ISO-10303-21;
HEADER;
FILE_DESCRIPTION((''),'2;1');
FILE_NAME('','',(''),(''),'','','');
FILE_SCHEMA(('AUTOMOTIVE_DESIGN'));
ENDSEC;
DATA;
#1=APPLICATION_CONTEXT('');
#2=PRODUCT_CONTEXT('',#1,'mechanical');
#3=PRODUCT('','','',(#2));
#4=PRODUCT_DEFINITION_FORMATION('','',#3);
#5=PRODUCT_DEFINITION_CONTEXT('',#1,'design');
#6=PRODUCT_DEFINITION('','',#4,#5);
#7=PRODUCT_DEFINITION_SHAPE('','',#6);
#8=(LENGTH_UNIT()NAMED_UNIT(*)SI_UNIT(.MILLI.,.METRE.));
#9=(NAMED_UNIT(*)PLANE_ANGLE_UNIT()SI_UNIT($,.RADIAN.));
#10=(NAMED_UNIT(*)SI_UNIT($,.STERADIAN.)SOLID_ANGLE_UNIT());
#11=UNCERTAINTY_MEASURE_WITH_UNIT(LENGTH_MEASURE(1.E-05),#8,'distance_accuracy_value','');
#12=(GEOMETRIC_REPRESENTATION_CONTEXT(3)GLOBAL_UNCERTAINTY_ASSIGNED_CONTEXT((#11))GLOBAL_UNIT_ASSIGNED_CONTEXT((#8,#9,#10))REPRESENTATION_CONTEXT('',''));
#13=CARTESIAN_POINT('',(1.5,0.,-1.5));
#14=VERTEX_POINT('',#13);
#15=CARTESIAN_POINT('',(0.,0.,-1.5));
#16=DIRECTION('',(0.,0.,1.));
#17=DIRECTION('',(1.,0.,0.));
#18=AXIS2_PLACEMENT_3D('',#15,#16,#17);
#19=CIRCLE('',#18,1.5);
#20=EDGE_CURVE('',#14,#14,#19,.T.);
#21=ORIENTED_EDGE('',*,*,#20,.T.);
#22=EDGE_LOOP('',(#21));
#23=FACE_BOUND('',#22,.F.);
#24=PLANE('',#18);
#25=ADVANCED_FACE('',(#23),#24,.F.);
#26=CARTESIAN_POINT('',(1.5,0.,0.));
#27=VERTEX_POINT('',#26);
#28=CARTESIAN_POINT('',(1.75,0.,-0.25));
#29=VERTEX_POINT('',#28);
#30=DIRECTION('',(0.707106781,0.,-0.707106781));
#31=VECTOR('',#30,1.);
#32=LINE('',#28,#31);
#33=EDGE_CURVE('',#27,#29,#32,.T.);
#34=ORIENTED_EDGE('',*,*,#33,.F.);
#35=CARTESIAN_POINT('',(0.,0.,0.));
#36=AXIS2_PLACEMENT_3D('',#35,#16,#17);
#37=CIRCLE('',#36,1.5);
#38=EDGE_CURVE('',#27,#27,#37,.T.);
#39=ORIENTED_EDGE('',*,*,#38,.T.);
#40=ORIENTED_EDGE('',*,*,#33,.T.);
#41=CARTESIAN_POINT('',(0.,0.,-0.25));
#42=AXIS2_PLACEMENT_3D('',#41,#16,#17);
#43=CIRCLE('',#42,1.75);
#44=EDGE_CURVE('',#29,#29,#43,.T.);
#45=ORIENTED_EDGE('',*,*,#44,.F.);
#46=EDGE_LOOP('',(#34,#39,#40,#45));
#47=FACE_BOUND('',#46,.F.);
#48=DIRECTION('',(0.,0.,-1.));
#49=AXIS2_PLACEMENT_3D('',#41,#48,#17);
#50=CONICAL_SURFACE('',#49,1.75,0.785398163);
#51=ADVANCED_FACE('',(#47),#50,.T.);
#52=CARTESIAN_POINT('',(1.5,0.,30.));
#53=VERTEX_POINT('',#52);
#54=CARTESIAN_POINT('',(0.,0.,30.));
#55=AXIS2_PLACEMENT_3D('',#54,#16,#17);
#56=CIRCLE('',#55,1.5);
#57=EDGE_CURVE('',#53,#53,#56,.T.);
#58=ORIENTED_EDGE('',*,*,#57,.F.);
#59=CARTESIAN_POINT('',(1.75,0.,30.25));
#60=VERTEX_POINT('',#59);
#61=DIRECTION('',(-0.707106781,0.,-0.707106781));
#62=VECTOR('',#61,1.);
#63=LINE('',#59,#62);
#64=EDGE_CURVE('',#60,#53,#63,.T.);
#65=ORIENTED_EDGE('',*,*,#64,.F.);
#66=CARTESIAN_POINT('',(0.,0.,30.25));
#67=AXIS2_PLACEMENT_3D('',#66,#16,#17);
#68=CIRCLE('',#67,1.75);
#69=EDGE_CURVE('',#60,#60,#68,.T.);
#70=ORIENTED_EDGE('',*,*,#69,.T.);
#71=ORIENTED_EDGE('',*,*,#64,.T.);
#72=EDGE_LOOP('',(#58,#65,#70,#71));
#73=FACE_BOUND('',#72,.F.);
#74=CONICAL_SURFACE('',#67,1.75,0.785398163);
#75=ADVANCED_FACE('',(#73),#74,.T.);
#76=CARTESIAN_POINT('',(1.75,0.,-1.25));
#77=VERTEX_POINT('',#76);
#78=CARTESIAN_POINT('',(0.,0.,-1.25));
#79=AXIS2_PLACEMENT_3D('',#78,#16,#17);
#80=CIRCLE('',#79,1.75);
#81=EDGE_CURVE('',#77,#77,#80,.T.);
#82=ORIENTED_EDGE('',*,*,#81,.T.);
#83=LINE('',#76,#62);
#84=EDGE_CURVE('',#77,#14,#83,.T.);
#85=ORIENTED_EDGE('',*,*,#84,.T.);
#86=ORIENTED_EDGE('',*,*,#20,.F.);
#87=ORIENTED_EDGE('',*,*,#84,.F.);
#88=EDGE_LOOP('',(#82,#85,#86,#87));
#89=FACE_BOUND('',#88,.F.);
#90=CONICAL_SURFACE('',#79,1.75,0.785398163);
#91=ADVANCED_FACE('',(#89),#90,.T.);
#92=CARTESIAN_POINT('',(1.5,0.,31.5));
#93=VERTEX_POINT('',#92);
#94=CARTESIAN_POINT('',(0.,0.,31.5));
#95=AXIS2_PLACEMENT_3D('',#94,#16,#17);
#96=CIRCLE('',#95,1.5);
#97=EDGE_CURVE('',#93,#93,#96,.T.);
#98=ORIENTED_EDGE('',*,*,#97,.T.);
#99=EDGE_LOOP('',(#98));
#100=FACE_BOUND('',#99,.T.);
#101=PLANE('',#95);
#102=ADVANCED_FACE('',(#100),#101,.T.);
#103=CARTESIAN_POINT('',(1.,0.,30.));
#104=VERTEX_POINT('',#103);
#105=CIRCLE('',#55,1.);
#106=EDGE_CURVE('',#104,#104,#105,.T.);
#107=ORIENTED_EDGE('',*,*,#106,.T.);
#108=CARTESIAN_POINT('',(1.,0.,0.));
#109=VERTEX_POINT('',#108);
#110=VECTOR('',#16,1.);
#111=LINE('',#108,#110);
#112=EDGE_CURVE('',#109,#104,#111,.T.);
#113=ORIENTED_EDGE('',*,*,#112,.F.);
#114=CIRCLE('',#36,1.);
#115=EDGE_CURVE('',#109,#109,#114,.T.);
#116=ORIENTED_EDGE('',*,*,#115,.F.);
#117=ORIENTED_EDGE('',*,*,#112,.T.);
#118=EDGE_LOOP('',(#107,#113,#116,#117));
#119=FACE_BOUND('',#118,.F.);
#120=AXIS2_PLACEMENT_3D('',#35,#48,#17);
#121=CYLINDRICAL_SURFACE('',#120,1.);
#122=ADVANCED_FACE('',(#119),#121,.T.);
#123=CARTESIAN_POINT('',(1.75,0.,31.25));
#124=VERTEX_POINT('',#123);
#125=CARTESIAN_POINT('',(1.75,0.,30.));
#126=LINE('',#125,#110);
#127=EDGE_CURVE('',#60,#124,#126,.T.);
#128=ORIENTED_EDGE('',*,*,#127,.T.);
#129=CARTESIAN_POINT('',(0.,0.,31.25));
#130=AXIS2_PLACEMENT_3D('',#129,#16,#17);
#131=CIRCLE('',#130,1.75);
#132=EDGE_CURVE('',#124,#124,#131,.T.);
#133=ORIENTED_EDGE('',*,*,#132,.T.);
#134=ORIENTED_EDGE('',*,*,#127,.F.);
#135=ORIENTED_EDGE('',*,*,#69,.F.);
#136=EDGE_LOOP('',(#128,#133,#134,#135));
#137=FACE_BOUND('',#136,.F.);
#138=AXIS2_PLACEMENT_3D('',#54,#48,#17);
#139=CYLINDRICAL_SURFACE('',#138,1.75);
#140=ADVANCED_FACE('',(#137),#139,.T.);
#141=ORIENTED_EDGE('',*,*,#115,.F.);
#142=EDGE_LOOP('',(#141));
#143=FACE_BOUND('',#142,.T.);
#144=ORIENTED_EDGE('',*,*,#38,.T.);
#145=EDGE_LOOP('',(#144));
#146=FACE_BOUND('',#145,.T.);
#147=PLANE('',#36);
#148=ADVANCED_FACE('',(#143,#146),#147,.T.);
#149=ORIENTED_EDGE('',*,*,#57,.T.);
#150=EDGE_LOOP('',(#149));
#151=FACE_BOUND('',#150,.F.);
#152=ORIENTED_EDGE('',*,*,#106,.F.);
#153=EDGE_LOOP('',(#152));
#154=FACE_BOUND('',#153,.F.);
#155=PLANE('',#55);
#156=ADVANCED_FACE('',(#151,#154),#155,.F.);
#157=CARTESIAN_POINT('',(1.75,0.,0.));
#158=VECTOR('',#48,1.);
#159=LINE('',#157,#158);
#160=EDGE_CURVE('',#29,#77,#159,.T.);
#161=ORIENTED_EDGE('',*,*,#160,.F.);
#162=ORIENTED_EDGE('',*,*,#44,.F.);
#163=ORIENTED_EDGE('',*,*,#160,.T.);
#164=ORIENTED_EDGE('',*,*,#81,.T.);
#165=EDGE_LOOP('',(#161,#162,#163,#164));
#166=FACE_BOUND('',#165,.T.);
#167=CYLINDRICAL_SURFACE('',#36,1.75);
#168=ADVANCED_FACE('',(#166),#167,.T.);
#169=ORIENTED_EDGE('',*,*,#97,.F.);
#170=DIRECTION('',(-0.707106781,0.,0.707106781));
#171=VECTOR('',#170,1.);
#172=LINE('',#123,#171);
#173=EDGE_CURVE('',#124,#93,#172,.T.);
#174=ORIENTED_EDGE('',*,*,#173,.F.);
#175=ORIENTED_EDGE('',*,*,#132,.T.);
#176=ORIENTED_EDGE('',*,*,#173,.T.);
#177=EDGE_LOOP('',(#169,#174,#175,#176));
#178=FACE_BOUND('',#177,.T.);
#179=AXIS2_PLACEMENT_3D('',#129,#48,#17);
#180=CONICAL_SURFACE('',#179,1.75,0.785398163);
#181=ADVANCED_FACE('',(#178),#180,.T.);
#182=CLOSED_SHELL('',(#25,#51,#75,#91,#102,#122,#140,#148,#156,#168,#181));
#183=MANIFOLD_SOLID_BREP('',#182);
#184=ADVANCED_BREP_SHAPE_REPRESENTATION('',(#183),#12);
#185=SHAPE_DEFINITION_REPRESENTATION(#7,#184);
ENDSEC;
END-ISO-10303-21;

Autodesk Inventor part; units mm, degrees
ref_plane "YZ Plane" through (0, 0, 0) normal (1, 0, 0) x (0, 1, 0)
ref_plane "XZ Plane" through (0, 0, 0) normal (0, 1, 0) x (-1, 0, 0)
ref_plane "XY Plane" through (0, 0, 0) normal (0, 0, 1) x (1, 0, 0)
sketch "Sketch1" plane through (0, 0, 0) normal (0, 0, 1) x (1, 0, 0)
  circle A0 centre (0, 0) radius 1
  circle A1 centre (0, 0) radius 1.75
  dimension "d0" = 2
  dimension "d1" = 3.5
extrude "Extrusion1" add sketch "Sketch1" along normal blind 30 contours A0
extrude "Extrusion2" add sketch "Sketch1" against normal blind 1.5 contours A0 | A1
sketch "Sketch2" plane through (0, 0, 30) normal (0, 0, 1) x (1, 0, 0)
  circle A0 centre (0, 0) radius 1.75 projected
  circle A1 centre (0, 0) radius 1 projected
  circle A2 centre (0, 0) radius 1 projected
extrude "Extrusion3" add sketch "Sketch2" along normal blind 1.5 contours A0 | A1
chamfer "Chamfer1" distance 0.25 angle 45 4 edges at (-1.75, 0, 31.5) (-1.75, 0, -1.5) (-1.75, 0, 30) (-1.75, 0, 0)
properties part number "CNCT_STEEL_Outlet_door_hinge_pin" material "Stainless Steel"
